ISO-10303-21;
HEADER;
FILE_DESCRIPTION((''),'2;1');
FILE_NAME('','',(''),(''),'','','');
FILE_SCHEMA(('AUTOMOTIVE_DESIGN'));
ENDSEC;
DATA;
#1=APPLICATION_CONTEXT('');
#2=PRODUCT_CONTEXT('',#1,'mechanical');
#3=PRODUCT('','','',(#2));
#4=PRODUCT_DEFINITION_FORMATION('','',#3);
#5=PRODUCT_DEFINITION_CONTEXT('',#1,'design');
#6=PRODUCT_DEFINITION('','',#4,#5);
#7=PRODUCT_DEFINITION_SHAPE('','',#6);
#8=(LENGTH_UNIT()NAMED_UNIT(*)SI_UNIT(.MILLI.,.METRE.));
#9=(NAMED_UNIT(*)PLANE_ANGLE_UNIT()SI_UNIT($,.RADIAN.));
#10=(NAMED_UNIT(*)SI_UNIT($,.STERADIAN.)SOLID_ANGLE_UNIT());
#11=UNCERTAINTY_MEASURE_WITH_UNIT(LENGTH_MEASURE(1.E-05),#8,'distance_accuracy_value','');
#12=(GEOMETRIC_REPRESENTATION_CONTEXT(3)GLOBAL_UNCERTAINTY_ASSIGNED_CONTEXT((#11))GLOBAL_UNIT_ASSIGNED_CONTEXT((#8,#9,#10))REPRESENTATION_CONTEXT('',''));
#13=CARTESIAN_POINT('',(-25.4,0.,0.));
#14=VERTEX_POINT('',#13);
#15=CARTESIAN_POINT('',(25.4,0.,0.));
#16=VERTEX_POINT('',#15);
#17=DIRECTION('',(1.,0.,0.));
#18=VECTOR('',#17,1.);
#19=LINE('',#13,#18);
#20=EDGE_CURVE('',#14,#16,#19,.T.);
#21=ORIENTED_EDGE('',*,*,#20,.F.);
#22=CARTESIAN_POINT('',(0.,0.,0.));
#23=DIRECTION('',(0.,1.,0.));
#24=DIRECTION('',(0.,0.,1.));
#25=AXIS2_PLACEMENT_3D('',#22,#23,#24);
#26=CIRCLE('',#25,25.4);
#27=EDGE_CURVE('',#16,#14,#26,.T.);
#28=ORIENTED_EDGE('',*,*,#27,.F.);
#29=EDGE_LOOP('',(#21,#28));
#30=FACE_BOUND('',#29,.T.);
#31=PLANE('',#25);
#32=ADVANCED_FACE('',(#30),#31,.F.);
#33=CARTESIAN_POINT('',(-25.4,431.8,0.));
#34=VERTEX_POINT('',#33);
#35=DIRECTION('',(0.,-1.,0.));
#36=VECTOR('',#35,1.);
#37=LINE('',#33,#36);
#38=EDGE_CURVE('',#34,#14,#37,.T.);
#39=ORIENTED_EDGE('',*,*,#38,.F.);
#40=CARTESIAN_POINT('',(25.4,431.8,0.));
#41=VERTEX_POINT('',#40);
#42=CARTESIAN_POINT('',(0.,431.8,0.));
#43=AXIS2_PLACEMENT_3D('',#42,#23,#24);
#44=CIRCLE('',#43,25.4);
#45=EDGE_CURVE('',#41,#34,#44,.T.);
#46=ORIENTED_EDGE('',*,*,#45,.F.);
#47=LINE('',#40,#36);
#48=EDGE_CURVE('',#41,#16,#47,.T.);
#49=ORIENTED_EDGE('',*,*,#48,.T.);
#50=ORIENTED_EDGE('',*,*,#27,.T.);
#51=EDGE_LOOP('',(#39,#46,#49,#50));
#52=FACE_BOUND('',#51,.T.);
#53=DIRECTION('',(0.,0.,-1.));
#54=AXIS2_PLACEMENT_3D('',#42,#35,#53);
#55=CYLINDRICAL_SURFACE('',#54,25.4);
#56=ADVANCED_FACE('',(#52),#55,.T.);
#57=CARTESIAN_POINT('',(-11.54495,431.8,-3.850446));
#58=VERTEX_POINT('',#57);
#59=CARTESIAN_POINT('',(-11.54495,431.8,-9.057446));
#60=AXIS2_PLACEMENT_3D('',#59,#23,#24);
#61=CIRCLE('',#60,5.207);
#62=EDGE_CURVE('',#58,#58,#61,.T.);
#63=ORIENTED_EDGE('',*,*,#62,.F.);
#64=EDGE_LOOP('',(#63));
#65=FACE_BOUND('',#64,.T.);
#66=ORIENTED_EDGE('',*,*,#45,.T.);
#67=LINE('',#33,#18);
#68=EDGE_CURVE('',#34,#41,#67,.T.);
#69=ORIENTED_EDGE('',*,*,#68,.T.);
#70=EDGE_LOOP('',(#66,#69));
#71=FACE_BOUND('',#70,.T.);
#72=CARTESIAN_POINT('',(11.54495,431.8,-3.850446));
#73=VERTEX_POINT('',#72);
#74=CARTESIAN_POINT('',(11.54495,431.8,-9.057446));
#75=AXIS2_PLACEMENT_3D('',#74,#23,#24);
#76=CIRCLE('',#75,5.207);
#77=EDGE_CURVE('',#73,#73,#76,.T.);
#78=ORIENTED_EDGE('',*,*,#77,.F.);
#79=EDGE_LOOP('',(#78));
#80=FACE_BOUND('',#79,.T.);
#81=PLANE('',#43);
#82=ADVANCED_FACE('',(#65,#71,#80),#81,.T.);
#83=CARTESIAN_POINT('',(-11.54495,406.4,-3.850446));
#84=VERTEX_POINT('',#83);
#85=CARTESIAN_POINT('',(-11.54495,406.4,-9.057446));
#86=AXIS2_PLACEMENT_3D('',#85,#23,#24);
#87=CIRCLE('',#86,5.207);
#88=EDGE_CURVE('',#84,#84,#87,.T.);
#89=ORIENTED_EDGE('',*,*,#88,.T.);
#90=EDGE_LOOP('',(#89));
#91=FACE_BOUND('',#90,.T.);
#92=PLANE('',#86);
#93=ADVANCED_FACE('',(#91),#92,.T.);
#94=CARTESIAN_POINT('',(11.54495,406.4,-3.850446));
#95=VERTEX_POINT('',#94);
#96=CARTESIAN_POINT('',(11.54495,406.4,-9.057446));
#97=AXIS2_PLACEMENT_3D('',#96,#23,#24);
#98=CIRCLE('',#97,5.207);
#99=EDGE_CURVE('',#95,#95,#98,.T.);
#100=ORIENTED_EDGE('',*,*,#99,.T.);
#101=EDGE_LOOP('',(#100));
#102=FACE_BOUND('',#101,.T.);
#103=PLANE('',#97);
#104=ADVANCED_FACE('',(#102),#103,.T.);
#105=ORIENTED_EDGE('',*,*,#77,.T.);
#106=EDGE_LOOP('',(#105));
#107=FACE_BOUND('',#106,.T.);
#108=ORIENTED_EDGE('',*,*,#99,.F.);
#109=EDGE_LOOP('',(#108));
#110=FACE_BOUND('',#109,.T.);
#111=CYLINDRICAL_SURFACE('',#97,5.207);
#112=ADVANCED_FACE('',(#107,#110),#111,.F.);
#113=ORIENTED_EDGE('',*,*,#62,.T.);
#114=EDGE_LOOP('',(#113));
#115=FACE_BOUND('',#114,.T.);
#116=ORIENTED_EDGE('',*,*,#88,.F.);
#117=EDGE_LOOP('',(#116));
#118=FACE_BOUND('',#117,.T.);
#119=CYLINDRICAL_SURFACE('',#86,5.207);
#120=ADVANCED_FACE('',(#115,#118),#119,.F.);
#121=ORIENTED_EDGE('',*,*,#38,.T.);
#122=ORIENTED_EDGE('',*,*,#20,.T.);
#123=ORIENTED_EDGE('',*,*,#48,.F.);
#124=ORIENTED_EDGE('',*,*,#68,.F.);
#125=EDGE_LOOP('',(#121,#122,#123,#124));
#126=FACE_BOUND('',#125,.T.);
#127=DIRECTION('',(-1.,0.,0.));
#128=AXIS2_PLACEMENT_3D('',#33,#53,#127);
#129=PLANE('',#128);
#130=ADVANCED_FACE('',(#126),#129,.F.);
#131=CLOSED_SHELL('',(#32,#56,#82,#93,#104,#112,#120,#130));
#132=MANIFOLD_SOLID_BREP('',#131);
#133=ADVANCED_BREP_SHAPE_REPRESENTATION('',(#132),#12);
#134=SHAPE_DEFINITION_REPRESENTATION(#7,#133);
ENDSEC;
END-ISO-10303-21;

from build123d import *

# Parameters (mm, degrees)
BOSS_EXTRUDE1_DEPTH = 431.8
SKETCH2_R           = 5.207
CUT_EXTRUDE1_DEPTH  = 25.4


with BuildPart() as part:
    # Sketch1 → Boss-Extrude1 (new body)
    with BuildSketch(Plane(origin=(0, 0, 0), x_dir=(1, 0, 0), z_dir=(0, 1, 0))):
        with BuildLine():
            Line((-25.4, 0), (25.4, 0))
            ThreePointArc((25.4, 0), (0, 25.4), (-25.4, 0))
        make_face()
    extrude(amount=BOSS_EXTRUDE1_DEPTH)

    # Sketch2 → Cut-Extrude1 (cut)
    with BuildSketch(Plane(origin=(0, 431.8, 0), x_dir=(1, 0, 0), z_dir=(0, 1, 0))):
        with Locations(Location((-11.54495024, 9.057446198, 0), (0, 0, 270))):
            Circle(SKETCH2_R)
        with Locations(Location((11.54495024, 9.057446198, 0), (0, 0, 270))):
            Circle(SKETCH2_R)
    extrude(amount=-CUT_EXTRUDE1_DEPTH, mode=Mode.SUBTRACT)


solid = part.part
